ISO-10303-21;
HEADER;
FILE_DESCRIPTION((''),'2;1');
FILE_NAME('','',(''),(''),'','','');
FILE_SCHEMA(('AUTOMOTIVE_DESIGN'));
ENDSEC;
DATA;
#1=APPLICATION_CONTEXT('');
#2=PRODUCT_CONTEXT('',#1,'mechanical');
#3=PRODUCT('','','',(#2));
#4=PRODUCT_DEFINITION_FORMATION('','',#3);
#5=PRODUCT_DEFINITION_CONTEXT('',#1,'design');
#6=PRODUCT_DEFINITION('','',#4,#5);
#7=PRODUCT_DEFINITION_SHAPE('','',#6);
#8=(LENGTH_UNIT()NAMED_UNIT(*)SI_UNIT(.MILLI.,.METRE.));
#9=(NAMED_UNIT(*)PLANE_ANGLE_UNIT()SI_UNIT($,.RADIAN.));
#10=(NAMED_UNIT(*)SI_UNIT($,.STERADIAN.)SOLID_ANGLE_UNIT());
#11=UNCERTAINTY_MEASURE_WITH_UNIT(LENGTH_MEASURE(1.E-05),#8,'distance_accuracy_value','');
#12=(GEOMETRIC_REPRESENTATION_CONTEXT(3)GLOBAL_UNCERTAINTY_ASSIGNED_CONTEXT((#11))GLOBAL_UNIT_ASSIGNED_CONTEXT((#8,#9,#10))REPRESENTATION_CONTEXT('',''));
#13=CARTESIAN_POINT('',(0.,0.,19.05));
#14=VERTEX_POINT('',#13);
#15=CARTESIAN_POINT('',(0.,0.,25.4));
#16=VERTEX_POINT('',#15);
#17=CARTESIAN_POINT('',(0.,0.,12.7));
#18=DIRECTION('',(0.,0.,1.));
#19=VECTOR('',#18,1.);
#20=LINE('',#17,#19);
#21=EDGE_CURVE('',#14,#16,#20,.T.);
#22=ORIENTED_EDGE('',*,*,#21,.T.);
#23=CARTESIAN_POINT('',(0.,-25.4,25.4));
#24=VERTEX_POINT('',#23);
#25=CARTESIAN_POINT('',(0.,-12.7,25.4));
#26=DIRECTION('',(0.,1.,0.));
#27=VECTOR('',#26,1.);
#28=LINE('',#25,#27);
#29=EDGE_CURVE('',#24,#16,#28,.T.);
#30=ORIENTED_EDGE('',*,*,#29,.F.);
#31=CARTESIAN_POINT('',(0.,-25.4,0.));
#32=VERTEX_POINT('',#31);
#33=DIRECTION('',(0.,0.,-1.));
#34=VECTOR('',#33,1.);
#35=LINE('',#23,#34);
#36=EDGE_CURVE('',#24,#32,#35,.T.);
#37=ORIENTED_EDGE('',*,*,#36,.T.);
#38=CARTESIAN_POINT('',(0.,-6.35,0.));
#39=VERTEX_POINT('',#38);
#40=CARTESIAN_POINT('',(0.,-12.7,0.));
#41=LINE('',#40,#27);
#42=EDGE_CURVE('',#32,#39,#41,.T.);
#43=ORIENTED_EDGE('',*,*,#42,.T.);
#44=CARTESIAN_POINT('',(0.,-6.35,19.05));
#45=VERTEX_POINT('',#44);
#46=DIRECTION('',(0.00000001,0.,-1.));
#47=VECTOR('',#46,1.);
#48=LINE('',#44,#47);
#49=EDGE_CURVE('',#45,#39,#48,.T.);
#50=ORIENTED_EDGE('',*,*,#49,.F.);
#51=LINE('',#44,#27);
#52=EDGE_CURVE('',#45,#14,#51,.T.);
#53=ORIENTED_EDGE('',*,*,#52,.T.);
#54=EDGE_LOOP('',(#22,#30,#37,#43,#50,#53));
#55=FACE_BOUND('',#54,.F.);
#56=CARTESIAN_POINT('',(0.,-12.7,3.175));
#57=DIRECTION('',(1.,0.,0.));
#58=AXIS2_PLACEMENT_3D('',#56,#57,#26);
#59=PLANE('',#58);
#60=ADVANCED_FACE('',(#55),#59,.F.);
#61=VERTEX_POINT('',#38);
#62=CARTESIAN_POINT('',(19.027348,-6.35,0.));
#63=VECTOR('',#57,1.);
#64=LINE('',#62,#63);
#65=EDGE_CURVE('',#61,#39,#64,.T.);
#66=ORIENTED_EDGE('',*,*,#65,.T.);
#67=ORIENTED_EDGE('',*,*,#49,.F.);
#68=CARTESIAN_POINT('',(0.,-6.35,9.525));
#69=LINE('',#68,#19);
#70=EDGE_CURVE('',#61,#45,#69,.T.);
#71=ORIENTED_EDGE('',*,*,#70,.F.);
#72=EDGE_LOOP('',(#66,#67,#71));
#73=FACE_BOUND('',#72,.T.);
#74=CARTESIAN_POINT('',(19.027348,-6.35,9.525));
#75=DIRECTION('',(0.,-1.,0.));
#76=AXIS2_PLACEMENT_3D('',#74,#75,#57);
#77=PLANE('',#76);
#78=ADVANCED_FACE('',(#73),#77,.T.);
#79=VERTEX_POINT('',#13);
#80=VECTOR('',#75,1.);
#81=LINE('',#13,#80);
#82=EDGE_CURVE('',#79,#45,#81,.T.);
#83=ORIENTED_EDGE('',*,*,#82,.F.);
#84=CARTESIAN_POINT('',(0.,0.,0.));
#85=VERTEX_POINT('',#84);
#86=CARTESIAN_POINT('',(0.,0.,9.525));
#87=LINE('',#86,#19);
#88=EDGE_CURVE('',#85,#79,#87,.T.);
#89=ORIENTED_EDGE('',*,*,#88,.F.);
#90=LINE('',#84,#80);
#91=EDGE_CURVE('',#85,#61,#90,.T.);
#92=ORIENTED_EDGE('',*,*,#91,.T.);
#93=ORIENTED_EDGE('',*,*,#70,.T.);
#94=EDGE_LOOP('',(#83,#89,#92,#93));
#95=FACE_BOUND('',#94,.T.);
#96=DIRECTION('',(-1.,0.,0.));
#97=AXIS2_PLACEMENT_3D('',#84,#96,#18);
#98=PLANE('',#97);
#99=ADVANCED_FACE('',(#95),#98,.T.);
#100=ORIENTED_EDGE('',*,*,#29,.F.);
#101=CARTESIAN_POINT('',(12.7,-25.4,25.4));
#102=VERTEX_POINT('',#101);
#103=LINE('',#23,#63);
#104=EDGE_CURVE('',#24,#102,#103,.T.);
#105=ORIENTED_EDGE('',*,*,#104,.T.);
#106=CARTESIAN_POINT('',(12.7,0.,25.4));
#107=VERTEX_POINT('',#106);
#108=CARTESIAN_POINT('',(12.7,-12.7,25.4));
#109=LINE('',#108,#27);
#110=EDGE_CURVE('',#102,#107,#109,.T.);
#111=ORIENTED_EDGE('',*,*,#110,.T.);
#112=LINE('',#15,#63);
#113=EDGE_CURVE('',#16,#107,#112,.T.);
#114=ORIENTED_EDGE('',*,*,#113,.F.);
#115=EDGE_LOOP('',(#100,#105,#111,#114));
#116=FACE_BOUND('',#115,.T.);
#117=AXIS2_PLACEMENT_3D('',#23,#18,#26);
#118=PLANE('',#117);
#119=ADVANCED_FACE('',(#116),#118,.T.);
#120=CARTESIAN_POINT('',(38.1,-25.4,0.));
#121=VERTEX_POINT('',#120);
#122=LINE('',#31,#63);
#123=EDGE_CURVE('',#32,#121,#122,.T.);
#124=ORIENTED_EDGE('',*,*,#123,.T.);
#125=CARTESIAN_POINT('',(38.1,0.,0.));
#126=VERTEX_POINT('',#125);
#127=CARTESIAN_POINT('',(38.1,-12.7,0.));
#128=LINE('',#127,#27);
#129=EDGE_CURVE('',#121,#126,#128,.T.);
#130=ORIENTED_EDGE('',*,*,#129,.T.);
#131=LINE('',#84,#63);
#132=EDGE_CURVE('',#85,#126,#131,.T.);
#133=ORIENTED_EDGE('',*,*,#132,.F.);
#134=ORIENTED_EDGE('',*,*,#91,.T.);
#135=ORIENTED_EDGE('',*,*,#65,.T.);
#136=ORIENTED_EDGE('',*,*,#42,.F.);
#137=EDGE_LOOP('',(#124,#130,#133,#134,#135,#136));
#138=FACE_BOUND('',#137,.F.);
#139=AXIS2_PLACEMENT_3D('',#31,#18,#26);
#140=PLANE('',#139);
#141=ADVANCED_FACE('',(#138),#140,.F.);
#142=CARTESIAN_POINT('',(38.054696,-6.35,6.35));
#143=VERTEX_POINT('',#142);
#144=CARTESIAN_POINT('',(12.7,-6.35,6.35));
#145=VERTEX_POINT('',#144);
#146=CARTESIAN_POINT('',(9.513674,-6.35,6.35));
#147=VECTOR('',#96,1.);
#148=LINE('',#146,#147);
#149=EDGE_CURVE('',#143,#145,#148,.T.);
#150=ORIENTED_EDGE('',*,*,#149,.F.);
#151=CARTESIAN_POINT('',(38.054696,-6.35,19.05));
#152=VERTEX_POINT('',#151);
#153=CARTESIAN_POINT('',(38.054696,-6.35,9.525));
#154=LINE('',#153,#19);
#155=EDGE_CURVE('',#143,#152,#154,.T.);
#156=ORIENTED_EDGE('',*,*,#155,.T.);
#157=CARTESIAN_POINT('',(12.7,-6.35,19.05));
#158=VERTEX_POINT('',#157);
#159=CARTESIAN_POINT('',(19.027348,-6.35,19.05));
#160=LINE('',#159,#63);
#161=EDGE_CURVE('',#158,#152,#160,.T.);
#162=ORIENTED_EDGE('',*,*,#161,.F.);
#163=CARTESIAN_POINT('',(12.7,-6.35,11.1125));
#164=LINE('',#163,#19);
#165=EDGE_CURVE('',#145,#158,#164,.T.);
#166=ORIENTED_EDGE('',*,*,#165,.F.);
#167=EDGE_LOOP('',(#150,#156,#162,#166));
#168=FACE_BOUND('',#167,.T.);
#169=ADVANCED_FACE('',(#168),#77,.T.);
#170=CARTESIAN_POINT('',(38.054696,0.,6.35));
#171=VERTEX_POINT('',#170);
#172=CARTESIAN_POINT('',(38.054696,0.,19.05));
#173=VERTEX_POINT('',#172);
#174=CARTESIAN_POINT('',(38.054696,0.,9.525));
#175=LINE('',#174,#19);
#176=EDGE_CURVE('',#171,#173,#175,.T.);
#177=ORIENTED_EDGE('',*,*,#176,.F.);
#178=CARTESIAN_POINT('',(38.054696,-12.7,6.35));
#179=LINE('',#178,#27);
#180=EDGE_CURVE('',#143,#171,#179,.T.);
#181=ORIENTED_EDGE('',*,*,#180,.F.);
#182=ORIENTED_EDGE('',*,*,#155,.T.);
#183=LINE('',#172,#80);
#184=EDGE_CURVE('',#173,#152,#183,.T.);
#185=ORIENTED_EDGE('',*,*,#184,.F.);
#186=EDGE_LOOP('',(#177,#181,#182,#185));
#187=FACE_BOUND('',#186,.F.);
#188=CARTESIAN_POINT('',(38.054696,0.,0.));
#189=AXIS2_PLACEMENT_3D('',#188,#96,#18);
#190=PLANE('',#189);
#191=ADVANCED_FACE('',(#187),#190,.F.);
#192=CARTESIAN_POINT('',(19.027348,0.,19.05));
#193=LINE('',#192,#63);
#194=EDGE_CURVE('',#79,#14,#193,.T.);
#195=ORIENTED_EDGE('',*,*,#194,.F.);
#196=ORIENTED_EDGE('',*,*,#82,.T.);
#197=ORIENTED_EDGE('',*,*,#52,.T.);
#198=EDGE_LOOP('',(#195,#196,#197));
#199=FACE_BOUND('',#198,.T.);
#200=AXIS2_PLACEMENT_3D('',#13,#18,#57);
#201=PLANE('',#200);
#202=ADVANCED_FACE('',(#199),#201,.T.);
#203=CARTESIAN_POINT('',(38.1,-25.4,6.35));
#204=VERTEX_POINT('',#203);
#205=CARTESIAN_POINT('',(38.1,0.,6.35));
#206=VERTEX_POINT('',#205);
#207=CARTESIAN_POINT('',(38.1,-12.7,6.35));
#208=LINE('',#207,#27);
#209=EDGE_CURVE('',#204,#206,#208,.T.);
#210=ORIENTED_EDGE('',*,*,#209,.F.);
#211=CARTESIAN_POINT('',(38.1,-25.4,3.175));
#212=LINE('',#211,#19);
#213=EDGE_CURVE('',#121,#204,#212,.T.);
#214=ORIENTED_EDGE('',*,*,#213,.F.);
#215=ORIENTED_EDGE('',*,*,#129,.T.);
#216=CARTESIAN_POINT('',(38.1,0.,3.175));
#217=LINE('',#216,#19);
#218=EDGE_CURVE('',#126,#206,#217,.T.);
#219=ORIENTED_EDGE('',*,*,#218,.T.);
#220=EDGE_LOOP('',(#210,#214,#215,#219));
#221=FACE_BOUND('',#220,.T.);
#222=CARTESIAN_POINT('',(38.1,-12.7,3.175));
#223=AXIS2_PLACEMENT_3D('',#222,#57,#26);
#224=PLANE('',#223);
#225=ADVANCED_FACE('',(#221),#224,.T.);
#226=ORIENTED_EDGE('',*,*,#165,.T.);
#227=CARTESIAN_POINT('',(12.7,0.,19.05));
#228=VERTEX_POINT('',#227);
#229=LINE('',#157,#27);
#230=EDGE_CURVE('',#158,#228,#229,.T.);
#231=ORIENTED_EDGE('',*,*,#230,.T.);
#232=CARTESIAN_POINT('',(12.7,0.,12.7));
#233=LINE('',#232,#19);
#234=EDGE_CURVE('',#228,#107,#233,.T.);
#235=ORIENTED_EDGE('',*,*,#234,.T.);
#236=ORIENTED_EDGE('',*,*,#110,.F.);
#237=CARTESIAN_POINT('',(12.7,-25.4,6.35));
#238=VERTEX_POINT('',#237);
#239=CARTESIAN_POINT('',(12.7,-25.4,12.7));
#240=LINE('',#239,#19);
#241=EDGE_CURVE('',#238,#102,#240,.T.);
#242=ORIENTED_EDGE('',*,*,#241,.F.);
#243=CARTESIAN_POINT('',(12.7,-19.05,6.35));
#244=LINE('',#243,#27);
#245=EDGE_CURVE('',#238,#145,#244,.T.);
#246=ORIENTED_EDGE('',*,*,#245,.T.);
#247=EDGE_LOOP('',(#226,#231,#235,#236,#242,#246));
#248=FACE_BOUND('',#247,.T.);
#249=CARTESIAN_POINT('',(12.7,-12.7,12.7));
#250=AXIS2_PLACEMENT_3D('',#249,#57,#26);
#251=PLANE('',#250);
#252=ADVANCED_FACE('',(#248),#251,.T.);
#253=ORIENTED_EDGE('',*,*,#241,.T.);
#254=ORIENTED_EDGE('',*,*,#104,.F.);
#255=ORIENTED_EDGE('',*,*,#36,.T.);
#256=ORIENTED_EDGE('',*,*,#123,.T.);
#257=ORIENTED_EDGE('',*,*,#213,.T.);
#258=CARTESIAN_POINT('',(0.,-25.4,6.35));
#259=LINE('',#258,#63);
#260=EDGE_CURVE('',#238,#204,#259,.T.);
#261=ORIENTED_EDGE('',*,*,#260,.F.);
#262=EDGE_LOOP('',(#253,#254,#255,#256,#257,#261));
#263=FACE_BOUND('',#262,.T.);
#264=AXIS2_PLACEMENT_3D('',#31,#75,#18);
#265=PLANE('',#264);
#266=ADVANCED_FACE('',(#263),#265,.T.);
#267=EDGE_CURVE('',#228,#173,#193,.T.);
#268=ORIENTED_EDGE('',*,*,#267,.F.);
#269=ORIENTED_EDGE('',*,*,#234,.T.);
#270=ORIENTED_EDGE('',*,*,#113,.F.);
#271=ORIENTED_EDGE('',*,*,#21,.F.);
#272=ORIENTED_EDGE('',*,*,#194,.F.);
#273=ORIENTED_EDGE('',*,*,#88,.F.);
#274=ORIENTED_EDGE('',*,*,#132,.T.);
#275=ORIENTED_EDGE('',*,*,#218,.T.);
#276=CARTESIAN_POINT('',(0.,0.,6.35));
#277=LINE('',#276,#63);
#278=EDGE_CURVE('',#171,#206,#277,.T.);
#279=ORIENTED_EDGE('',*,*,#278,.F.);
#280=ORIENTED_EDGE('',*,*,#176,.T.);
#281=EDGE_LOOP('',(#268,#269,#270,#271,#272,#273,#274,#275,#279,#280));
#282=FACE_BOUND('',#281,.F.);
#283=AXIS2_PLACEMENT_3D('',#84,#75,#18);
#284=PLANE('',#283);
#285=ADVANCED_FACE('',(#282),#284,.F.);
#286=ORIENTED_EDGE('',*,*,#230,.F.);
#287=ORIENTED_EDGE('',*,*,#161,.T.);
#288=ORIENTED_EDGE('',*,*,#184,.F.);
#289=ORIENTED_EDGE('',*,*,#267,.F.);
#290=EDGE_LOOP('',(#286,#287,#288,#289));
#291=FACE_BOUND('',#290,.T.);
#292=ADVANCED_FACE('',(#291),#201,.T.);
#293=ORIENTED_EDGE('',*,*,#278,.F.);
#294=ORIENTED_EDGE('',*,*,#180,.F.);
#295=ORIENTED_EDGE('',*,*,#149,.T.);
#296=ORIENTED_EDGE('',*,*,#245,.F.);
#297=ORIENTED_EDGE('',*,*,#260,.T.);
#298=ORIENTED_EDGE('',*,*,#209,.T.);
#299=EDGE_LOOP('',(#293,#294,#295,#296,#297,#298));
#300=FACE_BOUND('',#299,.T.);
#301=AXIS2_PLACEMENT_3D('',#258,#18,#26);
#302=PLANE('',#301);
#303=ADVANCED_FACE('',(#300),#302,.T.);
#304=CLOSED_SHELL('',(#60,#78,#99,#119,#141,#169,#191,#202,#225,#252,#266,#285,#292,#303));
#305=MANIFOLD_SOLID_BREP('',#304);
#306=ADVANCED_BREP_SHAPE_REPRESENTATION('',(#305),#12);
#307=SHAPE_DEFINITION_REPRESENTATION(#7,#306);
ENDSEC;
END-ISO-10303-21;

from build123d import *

# Parameters (mm, degrees)
F0_W     = 38.054697
F0_H     = 19.05
F1_DEPTH = 6.35
F2_W     = 25.4
F2_H     = 6.35
F3_DEPTH = 38.1
F4_W     = 25.4
F4_H     = 25.4
F5_DEPTH = 12.7


with BuildPart() as f1:
    # F0 (on Front) → F1 (new body)
    with BuildSketch(Plane.XZ):
        with Locations((19.027348, 9.525)):
            Rectangle(F0_W, F0_H)
    extrude(amount=F1_DEPTH)

    # F2 (on Right) → F3 (join)
    with BuildSketch(Plane.YZ):
        with Locations((-12.7, 3.175)):
            Rectangle(F2_W, F2_H)
    extrude(amount=F3_DEPTH)

    # F4 (on Right) → F5 (join)
    with BuildSketch(Plane.YZ):
        with Locations((-12.7, 12.7)):
            Rectangle(F4_W, F4_H)
    extrude(amount=F5_DEPTH)


solid = f1.part
